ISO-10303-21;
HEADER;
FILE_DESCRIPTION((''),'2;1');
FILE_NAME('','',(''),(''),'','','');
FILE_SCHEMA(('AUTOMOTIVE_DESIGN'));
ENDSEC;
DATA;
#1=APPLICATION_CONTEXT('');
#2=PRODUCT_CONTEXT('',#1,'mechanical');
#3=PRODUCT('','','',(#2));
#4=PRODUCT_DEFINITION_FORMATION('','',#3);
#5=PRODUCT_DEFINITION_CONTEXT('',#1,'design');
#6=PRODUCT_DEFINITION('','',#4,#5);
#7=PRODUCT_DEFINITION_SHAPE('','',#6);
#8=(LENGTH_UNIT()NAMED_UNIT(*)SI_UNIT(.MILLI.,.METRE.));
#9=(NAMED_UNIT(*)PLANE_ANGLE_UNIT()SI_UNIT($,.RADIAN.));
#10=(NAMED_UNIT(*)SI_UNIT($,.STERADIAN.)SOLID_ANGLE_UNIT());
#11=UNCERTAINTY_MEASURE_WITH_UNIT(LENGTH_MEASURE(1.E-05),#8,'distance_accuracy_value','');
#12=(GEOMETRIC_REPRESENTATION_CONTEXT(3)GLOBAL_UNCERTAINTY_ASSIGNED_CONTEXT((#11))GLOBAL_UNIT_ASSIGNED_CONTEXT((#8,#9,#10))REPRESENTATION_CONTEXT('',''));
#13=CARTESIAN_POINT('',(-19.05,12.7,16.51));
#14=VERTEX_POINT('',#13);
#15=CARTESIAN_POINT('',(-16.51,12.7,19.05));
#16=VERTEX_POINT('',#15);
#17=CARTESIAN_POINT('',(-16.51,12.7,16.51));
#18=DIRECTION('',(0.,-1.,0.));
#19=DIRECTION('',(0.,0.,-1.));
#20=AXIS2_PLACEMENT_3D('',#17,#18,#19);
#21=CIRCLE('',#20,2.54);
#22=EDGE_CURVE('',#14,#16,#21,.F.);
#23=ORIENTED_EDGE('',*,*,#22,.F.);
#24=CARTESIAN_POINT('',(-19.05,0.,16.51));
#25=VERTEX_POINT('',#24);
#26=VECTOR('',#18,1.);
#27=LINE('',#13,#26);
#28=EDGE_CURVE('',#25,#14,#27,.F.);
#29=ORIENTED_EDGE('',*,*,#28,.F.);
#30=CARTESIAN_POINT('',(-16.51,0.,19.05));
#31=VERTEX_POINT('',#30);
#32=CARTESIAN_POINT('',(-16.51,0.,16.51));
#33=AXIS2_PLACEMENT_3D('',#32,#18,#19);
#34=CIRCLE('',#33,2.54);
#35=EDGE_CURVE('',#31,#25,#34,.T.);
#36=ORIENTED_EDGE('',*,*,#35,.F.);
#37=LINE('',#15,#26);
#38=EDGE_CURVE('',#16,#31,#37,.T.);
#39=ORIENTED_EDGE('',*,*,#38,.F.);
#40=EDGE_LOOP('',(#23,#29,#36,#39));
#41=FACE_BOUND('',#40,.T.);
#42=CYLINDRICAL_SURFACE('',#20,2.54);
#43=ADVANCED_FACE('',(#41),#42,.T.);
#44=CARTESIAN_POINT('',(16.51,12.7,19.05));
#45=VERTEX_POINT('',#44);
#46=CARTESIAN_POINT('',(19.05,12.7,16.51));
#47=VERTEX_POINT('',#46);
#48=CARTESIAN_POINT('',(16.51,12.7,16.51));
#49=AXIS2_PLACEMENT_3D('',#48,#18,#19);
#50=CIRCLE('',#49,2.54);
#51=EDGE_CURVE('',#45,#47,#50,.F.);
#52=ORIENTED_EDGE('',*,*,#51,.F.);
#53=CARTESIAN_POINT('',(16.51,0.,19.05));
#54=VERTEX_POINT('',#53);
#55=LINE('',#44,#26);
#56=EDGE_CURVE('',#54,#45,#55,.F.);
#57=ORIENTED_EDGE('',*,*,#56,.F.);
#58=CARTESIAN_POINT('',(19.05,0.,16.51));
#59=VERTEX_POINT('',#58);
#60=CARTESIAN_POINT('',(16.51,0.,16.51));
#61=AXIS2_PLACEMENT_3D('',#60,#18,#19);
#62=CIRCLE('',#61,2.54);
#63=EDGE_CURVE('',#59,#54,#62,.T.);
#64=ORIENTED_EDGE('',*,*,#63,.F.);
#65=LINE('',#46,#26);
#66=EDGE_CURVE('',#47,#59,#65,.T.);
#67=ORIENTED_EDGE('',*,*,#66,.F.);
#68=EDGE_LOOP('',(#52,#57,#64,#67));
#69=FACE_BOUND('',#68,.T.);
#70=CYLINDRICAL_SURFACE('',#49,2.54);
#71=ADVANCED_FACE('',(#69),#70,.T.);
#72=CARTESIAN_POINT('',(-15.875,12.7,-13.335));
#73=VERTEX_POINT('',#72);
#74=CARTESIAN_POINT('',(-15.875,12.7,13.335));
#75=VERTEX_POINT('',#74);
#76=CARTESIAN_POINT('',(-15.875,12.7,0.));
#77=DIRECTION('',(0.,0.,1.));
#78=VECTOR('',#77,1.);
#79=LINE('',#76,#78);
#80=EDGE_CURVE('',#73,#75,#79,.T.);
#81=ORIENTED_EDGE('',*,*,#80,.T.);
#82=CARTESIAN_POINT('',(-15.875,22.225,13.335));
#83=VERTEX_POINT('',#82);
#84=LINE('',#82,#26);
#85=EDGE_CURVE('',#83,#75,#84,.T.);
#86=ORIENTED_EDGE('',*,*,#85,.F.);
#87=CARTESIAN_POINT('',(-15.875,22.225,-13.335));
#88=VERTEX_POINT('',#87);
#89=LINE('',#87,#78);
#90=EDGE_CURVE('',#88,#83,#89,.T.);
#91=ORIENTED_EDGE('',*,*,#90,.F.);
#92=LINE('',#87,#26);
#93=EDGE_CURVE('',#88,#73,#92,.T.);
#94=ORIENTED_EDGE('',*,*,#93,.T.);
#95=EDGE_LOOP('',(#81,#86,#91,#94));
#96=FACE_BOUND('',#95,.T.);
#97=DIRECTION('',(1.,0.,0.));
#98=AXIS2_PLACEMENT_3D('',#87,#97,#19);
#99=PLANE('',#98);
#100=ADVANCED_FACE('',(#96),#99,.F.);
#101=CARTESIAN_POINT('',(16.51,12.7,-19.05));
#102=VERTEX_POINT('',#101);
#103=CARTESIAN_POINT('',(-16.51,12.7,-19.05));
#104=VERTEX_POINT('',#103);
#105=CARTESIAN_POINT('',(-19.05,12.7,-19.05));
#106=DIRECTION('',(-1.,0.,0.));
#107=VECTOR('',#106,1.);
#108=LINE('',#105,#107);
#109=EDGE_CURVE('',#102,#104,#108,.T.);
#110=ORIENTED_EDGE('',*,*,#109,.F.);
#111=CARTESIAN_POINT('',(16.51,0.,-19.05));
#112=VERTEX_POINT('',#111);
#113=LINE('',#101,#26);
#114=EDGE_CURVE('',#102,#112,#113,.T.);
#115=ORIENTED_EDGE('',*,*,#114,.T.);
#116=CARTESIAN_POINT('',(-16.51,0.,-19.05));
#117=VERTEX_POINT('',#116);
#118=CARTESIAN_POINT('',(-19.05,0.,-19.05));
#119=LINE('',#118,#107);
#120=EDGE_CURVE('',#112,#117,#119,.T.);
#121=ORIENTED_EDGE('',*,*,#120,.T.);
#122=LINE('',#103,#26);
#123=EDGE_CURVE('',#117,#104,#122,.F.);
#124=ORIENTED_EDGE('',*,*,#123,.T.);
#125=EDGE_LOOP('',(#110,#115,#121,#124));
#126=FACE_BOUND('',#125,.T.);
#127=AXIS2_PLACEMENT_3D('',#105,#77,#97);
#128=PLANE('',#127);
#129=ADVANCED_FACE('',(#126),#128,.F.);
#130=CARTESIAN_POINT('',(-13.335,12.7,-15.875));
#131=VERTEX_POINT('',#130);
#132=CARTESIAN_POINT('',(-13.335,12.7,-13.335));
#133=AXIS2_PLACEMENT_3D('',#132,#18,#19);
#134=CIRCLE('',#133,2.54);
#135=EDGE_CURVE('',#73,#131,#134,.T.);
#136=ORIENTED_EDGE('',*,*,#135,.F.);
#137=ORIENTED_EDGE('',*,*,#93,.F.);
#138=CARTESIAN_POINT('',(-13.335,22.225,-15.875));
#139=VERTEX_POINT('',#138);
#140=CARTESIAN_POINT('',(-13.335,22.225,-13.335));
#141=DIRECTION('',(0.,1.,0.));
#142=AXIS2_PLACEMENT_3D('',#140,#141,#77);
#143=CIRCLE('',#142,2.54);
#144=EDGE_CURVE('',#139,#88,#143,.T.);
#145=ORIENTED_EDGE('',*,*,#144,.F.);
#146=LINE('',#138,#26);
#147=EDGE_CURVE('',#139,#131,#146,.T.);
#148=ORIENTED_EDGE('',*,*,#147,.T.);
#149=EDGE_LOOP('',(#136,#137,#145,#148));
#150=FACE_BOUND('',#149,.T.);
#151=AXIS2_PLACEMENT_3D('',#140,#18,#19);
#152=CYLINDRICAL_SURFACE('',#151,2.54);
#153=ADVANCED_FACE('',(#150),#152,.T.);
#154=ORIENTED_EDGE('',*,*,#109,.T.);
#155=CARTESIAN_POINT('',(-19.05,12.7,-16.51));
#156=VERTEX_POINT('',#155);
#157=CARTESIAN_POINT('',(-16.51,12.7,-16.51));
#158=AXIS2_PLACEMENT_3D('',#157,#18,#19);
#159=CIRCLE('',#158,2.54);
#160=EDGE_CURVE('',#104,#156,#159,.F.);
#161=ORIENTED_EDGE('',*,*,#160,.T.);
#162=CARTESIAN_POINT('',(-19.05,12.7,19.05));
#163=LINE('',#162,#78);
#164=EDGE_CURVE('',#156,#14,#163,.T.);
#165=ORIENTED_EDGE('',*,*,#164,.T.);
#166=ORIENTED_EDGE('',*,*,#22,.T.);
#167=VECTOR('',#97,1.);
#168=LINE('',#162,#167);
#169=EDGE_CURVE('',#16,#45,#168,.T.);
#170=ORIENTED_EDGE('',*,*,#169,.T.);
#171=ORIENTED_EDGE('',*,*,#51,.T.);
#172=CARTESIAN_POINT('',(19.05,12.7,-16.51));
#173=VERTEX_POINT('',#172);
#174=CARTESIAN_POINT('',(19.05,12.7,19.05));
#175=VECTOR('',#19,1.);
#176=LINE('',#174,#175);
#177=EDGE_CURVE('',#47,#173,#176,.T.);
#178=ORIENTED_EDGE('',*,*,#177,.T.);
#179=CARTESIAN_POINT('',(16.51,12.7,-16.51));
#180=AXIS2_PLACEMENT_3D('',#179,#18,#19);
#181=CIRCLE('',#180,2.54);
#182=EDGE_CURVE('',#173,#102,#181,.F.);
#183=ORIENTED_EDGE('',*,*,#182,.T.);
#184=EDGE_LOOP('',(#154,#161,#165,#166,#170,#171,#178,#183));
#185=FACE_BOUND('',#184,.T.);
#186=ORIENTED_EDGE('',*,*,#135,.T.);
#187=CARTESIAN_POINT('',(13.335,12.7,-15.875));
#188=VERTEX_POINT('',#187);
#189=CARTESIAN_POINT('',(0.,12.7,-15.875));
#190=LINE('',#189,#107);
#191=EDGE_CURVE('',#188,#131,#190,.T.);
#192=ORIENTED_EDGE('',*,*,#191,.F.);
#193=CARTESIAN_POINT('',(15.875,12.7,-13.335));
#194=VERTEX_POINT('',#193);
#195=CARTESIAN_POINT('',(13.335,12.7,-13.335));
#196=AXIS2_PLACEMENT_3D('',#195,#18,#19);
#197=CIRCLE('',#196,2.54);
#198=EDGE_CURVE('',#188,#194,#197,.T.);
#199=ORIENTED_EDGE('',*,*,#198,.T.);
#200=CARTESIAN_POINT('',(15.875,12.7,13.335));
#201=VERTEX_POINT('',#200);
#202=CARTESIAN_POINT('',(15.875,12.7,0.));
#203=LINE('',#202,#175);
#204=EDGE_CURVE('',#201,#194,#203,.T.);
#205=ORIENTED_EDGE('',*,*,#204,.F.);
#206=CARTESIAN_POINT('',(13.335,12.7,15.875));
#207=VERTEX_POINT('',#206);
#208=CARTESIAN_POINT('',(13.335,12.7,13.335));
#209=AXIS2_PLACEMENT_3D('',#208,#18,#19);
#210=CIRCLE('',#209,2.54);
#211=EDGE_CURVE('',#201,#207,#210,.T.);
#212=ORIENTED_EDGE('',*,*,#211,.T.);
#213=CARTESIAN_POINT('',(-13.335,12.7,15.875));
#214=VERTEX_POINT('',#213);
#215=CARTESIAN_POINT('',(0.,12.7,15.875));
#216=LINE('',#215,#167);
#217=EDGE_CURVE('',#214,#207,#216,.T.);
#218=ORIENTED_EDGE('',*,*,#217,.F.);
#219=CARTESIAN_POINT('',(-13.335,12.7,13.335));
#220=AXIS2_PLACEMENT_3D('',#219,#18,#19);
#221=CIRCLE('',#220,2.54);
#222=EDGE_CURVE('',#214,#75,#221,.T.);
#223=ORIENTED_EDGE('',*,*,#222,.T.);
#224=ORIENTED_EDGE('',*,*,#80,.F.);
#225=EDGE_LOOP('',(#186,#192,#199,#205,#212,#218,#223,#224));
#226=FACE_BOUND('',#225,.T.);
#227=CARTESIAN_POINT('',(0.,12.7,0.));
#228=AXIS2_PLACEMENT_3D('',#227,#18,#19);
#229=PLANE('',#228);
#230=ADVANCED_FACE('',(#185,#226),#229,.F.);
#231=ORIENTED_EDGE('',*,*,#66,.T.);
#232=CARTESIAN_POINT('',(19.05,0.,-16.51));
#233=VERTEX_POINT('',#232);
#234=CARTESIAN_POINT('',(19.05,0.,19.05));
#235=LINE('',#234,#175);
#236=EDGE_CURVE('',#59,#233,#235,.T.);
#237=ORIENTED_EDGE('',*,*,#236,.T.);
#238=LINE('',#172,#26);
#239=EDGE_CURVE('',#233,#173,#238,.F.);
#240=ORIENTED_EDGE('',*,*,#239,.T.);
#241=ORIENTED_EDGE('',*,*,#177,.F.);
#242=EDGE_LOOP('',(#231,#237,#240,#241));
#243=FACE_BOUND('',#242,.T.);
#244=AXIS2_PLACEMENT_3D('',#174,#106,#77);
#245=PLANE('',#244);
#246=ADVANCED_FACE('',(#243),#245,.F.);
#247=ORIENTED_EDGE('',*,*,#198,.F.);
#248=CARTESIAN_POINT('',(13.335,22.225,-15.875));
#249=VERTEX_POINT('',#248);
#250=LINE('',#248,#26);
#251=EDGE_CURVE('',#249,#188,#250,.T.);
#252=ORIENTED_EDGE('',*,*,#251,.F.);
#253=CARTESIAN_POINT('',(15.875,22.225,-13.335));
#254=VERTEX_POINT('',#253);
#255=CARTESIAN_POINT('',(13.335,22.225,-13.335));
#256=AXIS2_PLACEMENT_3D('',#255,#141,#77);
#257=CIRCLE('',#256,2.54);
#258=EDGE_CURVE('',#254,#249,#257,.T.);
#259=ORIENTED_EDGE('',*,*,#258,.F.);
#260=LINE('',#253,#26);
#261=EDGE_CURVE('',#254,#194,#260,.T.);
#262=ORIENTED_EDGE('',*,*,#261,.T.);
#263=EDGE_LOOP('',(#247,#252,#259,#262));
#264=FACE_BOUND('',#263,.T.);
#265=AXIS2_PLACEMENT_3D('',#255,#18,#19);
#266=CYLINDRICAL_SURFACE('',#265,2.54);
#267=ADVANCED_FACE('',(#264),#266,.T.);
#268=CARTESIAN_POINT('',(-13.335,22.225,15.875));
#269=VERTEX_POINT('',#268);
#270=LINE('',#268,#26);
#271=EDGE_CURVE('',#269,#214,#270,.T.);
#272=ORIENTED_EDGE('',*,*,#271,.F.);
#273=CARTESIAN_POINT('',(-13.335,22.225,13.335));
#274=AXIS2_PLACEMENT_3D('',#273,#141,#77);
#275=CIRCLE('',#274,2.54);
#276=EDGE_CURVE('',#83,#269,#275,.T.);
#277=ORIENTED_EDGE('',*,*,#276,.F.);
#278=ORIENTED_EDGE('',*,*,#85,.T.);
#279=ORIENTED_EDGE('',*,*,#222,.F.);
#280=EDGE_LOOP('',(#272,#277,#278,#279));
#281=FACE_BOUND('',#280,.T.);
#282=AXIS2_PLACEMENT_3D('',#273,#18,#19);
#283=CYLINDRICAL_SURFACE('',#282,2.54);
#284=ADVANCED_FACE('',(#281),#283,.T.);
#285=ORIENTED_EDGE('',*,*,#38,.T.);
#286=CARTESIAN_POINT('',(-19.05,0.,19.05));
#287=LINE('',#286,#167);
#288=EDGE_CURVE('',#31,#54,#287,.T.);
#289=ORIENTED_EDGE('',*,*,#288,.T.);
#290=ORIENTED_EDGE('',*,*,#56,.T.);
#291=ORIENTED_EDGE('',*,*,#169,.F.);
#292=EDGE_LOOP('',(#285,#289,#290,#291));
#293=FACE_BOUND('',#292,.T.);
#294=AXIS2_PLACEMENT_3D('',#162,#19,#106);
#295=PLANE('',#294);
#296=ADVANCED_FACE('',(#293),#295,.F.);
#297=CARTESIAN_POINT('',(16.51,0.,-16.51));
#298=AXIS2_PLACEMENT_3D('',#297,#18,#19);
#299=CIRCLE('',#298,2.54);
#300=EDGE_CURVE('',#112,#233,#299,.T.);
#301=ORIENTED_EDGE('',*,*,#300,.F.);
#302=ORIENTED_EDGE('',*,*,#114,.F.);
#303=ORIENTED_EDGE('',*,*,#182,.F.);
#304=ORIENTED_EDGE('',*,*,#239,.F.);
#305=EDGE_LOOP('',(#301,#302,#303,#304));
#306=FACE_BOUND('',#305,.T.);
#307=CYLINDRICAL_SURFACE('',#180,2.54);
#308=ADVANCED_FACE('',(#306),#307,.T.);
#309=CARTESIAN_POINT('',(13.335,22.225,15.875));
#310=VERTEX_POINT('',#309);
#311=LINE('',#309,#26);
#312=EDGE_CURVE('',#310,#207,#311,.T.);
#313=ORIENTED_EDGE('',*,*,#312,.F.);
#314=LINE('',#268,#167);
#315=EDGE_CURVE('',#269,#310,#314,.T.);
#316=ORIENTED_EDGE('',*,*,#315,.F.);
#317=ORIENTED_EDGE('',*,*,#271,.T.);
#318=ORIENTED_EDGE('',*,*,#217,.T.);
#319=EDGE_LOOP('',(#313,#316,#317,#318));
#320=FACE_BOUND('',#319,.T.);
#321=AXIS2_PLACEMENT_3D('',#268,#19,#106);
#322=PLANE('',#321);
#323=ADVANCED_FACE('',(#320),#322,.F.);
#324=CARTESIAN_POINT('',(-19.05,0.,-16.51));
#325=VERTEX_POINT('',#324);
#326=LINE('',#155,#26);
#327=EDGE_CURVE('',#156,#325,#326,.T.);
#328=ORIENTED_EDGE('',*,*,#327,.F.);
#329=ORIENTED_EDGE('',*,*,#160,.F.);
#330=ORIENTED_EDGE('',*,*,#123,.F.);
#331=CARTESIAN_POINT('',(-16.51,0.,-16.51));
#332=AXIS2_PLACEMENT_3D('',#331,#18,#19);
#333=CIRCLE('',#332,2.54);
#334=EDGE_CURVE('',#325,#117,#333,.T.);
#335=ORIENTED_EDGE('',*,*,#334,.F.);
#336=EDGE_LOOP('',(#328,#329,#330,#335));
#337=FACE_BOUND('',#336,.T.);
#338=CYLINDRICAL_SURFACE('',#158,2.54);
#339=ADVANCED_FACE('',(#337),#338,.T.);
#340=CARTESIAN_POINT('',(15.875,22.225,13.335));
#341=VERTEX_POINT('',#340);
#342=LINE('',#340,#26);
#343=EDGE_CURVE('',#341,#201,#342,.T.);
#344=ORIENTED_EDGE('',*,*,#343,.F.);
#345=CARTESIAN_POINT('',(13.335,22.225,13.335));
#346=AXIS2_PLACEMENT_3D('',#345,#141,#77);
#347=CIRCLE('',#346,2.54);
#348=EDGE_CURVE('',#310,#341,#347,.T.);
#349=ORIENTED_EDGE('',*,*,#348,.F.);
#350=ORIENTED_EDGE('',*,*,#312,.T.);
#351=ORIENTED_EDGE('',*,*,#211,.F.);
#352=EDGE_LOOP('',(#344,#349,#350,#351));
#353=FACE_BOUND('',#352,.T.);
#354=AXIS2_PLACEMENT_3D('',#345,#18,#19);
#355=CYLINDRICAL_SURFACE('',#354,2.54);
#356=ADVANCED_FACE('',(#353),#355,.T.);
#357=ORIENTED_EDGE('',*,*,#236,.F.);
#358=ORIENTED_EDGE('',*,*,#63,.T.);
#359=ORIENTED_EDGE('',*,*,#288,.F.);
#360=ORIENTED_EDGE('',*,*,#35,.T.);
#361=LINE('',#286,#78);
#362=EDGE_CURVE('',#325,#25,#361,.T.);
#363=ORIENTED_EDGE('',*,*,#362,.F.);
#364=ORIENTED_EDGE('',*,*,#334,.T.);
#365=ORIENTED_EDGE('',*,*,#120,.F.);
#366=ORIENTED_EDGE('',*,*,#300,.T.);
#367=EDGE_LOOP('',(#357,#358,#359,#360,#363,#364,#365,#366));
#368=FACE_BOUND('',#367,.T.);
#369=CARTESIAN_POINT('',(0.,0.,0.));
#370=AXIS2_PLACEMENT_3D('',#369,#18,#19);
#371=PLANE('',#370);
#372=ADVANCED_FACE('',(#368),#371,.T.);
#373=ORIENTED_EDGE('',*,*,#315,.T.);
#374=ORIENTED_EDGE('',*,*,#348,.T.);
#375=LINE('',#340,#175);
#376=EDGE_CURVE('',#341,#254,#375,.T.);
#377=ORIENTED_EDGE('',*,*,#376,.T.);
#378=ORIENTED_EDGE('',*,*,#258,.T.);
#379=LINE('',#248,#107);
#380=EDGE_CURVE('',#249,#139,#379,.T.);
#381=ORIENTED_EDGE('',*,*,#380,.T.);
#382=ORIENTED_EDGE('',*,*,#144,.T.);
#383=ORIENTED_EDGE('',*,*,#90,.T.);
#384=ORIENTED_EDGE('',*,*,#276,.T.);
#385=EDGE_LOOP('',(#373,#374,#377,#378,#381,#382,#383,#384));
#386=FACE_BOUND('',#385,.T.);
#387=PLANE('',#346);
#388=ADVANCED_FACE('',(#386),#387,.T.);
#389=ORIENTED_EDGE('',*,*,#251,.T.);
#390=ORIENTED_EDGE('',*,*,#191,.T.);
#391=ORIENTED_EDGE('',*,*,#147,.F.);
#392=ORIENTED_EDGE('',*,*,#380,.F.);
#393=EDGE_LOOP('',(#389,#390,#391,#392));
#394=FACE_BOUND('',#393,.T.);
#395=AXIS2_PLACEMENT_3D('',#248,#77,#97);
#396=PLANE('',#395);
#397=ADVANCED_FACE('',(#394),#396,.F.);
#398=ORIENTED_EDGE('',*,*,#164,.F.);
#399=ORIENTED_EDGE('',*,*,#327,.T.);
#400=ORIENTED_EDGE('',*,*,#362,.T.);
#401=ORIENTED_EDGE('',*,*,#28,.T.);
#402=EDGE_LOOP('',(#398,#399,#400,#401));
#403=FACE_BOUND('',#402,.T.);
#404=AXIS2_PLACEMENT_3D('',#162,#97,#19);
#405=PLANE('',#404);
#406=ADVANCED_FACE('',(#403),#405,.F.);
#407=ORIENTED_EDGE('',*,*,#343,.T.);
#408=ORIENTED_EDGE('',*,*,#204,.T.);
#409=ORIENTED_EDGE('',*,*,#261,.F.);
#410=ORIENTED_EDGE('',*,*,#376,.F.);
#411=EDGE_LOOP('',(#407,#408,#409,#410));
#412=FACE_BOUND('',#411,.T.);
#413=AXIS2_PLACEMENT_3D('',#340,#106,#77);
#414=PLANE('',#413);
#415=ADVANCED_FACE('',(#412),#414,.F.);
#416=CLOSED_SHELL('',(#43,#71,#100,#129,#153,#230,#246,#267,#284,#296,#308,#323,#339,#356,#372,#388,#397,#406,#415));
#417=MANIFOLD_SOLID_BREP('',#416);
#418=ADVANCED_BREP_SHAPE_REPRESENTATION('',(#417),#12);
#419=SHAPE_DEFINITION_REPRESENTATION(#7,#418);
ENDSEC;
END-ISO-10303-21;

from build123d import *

# Parameters (mm, degrees)
SKETCH1_W           = 38.1
SKETCH1_H           = 38.1
BOSS_EXTRUDE1_DEPTH = 12.7
FILLET1_R           = 2.54
SHELL1_T            = -3.175
FILLET2_R           = 2.54
BOSS_EXTRUDE2_DEPTH = 19.05


with BuildPart() as part:
    # Sketch1 → Boss-Extrude1 (new body)
    with BuildSketch(Plane(origin=(0, 0, 0), x_dir=(1, 0, 0), z_dir=(0, 1, 0))):
        Rectangle(SKETCH1_W, SKETCH1_H)
    extrude(amount=BOSS_EXTRUDE1_DEPTH)

    # Fillet1
    fillet1_edges = [part.edges().sort_by_distance(p)[0] for p in [
        (19.05, 6.35, 19.05),
        (-19.05, 6.35, 19.05),
        (-19.05, 6.35, -19.05),
        (19.05, 6.35, -19.05),
    ]]
    fillet(fillet1_edges, radius=FILLET1_R)

    # Shell1
    shell1_openings = [part.faces().sort_by_distance(p)[0] for p in [
        (0, 12.7, 0),
    ]]
    offset(amount=SHELL1_T, openings=shell1_openings, kind=Kind.INTERSECTION)

    # Fillet2
    fillet2_edges = [part.edges().sort_by_distance(p)[0] for p in [
        (15.875, 7.9375, -15.875),
        (-15.875, 7.9375, -15.875),
        (-15.875, 7.9375, 15.875),
        (15.875, 7.9375, 15.875),
    ]]
    fillet(fillet2_edges, radius=FILLET2_R)

    # Sketch2 → Boss-Extrude2 (add)
    with BuildSketch(Plane(origin=(0, 3.175, 0), x_dir=(1, 0, 0), z_dir=(0, 1, 0))):
        with BuildLine():
            Line((15.875, -13.335), (15.875, 13.335))
            ThreePointArc((15.875, 13.335), (15.131051224, 15.131051224), (13.335, 15.875))
            Line((13.335, 15.875), (-13.335, 15.875))
            ThreePointArc((-13.335, 15.875), (-15.131051224, 15.131051224), (-15.875, 13.335))
            Line((-15.875, 13.335), (-15.875, -13.335))
            ThreePointArc((-15.875, -13.335), (-15.131051224, -15.131051224), (-13.335, -15.875))
            Line((-13.335, -15.875), (13.335, -15.875))
            ThreePointArc((13.335, -15.875), (15.131051224, -15.131051224), (15.875, -13.335))
        make_face()
    extrude(amount=BOSS_EXTRUDE2_DEPTH)


solid = part.part
